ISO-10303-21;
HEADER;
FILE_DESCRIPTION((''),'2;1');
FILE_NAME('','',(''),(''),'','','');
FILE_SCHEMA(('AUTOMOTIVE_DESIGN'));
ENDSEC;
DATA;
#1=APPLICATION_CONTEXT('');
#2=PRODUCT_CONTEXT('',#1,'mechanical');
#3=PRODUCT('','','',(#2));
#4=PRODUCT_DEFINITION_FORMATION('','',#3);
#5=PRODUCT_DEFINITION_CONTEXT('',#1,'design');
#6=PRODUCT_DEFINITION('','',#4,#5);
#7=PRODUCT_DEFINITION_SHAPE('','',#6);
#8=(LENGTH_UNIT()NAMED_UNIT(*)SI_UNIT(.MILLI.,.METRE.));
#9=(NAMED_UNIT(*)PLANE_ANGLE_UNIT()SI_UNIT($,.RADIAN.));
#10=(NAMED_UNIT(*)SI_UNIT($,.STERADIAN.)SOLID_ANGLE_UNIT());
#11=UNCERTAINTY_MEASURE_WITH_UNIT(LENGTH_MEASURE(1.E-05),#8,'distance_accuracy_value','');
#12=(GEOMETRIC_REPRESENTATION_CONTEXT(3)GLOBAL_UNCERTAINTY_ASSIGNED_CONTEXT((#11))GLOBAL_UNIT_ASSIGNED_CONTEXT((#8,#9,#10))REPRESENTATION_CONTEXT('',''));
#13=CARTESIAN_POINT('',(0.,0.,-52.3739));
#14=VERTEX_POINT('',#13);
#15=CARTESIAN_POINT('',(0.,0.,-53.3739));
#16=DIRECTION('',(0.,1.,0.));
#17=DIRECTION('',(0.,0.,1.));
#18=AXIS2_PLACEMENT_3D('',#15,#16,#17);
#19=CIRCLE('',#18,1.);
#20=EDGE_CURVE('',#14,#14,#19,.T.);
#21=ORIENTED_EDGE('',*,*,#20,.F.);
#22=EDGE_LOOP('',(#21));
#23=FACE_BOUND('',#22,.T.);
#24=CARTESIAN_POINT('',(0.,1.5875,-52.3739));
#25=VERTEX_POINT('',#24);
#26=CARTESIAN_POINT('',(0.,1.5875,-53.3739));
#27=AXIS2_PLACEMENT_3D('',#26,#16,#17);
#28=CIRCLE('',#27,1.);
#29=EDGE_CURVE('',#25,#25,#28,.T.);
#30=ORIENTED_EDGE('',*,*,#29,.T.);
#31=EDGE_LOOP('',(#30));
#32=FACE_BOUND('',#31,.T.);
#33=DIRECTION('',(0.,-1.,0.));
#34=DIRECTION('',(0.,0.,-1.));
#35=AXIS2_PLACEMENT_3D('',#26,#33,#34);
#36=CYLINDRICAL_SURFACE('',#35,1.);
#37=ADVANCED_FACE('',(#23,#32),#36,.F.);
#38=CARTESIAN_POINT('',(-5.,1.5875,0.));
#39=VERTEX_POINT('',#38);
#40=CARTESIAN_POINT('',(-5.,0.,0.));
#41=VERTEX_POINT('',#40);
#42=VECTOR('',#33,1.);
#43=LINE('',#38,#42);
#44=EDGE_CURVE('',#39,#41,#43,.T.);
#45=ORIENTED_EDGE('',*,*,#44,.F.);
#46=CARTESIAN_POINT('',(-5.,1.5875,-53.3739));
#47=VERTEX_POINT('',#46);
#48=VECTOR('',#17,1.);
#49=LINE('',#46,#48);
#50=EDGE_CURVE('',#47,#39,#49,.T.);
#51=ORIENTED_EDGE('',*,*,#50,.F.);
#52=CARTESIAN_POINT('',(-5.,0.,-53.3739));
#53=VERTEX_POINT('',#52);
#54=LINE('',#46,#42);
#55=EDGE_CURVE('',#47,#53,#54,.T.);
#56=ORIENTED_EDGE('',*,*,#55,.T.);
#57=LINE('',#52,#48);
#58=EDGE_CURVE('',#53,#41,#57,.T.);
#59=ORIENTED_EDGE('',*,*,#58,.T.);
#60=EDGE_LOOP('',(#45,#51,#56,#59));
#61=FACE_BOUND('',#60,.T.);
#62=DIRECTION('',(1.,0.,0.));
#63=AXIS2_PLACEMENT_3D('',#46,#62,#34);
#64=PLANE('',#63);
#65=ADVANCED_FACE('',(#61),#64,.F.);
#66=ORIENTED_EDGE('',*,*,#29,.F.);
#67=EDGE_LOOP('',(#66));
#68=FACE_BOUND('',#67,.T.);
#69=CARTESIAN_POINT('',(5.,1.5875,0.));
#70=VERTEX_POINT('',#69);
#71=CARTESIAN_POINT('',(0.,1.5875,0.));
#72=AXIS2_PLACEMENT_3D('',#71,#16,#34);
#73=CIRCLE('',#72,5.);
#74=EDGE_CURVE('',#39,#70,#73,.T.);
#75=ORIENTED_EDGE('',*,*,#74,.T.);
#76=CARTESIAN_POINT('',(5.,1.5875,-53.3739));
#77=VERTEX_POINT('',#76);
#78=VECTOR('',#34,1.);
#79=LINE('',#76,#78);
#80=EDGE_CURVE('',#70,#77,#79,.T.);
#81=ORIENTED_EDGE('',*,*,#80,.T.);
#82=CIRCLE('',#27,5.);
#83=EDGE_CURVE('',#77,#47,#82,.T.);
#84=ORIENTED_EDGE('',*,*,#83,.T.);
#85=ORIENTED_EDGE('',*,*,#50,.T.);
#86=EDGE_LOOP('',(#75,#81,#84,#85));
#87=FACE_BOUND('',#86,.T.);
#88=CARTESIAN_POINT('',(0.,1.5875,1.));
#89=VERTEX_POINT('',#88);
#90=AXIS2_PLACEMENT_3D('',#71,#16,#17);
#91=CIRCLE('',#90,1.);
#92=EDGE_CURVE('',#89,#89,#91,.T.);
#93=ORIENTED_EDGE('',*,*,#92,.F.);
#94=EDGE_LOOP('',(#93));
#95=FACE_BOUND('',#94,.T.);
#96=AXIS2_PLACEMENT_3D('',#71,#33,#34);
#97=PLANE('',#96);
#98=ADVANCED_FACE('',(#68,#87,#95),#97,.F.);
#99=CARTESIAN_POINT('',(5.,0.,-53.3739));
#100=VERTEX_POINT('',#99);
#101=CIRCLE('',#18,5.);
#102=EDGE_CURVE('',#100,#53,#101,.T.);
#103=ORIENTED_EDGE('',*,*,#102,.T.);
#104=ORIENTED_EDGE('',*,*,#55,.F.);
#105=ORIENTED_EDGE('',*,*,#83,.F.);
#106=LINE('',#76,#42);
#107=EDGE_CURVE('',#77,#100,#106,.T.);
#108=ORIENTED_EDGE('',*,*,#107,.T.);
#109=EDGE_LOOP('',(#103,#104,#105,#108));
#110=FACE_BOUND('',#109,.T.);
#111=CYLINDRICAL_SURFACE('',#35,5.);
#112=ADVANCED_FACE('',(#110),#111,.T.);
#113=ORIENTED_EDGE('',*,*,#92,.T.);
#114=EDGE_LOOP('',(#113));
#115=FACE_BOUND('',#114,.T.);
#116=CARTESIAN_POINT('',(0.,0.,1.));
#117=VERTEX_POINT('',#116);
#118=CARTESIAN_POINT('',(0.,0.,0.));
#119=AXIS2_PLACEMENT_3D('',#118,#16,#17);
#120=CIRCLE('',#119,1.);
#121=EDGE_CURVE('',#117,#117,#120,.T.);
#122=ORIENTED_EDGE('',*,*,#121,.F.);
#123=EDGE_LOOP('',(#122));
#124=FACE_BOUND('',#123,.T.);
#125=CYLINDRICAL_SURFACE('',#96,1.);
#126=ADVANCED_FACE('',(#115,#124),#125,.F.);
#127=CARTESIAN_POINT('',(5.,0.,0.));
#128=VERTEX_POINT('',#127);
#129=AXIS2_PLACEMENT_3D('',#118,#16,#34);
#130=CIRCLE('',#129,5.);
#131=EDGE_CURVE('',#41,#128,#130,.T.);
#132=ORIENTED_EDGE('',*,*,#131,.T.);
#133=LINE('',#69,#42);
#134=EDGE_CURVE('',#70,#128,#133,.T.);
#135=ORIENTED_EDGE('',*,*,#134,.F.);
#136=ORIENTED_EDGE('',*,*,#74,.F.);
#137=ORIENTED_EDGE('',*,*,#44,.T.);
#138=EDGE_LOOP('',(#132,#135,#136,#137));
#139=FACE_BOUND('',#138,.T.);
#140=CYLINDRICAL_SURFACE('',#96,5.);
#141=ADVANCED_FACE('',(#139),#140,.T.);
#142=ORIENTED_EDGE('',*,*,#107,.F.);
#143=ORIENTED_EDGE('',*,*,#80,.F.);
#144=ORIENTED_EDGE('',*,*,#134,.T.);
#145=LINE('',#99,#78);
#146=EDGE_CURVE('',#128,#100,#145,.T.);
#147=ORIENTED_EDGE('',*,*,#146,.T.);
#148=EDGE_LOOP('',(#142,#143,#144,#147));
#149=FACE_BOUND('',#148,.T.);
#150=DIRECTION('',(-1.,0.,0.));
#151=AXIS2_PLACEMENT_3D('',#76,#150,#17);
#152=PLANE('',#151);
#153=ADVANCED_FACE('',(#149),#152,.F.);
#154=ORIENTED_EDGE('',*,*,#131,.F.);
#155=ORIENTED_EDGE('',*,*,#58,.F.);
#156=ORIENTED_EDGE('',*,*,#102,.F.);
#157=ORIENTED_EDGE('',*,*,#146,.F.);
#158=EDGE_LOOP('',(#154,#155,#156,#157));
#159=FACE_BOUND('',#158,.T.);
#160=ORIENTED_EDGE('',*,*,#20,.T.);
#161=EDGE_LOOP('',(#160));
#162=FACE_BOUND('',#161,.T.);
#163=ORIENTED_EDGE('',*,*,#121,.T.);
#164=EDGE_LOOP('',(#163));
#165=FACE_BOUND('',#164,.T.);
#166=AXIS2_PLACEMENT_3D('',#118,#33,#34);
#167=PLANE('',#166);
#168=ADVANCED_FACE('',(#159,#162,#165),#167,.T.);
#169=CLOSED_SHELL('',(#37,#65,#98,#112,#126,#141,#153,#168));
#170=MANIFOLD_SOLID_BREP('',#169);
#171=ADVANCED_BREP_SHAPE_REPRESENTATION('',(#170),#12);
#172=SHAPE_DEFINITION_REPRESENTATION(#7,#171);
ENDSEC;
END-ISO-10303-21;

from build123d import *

# Parameters (mm, degrees)
SKETCH2_R           = 1
BOSS_EXTRUDE1_DEPTH = 1.5875


with BuildPart() as part:
    # Sketch2 → Boss-Extrude1 (new body)
    with BuildSketch(Plane(origin=(0, 0, 0), x_dir=(1, 0, 0), z_dir=(0, 1, 0))):
        with BuildLine():
            Line((-5, 53.3739), (-5, 0))
            ThreePointArc((-5, 0), (0, -5), (5, 0))
            Line((5, 0), (5, 53.3739))
            ThreePointArc((5, 53.3739), (0, 58.3739), (-5, 53.3739))
        make_face()
        with Locations(Location((0, 0, 0), (0, 0, 270))):
            Circle(SKETCH2_R, mode=Mode.SUBTRACT)
        with Locations(Location((0, 53.3739, 0), (0, 0, 270))):
            Circle(SKETCH2_R, mode=Mode.SUBTRACT)
    extrude(amount=BOSS_EXTRUDE1_DEPTH)


solid = part.part
